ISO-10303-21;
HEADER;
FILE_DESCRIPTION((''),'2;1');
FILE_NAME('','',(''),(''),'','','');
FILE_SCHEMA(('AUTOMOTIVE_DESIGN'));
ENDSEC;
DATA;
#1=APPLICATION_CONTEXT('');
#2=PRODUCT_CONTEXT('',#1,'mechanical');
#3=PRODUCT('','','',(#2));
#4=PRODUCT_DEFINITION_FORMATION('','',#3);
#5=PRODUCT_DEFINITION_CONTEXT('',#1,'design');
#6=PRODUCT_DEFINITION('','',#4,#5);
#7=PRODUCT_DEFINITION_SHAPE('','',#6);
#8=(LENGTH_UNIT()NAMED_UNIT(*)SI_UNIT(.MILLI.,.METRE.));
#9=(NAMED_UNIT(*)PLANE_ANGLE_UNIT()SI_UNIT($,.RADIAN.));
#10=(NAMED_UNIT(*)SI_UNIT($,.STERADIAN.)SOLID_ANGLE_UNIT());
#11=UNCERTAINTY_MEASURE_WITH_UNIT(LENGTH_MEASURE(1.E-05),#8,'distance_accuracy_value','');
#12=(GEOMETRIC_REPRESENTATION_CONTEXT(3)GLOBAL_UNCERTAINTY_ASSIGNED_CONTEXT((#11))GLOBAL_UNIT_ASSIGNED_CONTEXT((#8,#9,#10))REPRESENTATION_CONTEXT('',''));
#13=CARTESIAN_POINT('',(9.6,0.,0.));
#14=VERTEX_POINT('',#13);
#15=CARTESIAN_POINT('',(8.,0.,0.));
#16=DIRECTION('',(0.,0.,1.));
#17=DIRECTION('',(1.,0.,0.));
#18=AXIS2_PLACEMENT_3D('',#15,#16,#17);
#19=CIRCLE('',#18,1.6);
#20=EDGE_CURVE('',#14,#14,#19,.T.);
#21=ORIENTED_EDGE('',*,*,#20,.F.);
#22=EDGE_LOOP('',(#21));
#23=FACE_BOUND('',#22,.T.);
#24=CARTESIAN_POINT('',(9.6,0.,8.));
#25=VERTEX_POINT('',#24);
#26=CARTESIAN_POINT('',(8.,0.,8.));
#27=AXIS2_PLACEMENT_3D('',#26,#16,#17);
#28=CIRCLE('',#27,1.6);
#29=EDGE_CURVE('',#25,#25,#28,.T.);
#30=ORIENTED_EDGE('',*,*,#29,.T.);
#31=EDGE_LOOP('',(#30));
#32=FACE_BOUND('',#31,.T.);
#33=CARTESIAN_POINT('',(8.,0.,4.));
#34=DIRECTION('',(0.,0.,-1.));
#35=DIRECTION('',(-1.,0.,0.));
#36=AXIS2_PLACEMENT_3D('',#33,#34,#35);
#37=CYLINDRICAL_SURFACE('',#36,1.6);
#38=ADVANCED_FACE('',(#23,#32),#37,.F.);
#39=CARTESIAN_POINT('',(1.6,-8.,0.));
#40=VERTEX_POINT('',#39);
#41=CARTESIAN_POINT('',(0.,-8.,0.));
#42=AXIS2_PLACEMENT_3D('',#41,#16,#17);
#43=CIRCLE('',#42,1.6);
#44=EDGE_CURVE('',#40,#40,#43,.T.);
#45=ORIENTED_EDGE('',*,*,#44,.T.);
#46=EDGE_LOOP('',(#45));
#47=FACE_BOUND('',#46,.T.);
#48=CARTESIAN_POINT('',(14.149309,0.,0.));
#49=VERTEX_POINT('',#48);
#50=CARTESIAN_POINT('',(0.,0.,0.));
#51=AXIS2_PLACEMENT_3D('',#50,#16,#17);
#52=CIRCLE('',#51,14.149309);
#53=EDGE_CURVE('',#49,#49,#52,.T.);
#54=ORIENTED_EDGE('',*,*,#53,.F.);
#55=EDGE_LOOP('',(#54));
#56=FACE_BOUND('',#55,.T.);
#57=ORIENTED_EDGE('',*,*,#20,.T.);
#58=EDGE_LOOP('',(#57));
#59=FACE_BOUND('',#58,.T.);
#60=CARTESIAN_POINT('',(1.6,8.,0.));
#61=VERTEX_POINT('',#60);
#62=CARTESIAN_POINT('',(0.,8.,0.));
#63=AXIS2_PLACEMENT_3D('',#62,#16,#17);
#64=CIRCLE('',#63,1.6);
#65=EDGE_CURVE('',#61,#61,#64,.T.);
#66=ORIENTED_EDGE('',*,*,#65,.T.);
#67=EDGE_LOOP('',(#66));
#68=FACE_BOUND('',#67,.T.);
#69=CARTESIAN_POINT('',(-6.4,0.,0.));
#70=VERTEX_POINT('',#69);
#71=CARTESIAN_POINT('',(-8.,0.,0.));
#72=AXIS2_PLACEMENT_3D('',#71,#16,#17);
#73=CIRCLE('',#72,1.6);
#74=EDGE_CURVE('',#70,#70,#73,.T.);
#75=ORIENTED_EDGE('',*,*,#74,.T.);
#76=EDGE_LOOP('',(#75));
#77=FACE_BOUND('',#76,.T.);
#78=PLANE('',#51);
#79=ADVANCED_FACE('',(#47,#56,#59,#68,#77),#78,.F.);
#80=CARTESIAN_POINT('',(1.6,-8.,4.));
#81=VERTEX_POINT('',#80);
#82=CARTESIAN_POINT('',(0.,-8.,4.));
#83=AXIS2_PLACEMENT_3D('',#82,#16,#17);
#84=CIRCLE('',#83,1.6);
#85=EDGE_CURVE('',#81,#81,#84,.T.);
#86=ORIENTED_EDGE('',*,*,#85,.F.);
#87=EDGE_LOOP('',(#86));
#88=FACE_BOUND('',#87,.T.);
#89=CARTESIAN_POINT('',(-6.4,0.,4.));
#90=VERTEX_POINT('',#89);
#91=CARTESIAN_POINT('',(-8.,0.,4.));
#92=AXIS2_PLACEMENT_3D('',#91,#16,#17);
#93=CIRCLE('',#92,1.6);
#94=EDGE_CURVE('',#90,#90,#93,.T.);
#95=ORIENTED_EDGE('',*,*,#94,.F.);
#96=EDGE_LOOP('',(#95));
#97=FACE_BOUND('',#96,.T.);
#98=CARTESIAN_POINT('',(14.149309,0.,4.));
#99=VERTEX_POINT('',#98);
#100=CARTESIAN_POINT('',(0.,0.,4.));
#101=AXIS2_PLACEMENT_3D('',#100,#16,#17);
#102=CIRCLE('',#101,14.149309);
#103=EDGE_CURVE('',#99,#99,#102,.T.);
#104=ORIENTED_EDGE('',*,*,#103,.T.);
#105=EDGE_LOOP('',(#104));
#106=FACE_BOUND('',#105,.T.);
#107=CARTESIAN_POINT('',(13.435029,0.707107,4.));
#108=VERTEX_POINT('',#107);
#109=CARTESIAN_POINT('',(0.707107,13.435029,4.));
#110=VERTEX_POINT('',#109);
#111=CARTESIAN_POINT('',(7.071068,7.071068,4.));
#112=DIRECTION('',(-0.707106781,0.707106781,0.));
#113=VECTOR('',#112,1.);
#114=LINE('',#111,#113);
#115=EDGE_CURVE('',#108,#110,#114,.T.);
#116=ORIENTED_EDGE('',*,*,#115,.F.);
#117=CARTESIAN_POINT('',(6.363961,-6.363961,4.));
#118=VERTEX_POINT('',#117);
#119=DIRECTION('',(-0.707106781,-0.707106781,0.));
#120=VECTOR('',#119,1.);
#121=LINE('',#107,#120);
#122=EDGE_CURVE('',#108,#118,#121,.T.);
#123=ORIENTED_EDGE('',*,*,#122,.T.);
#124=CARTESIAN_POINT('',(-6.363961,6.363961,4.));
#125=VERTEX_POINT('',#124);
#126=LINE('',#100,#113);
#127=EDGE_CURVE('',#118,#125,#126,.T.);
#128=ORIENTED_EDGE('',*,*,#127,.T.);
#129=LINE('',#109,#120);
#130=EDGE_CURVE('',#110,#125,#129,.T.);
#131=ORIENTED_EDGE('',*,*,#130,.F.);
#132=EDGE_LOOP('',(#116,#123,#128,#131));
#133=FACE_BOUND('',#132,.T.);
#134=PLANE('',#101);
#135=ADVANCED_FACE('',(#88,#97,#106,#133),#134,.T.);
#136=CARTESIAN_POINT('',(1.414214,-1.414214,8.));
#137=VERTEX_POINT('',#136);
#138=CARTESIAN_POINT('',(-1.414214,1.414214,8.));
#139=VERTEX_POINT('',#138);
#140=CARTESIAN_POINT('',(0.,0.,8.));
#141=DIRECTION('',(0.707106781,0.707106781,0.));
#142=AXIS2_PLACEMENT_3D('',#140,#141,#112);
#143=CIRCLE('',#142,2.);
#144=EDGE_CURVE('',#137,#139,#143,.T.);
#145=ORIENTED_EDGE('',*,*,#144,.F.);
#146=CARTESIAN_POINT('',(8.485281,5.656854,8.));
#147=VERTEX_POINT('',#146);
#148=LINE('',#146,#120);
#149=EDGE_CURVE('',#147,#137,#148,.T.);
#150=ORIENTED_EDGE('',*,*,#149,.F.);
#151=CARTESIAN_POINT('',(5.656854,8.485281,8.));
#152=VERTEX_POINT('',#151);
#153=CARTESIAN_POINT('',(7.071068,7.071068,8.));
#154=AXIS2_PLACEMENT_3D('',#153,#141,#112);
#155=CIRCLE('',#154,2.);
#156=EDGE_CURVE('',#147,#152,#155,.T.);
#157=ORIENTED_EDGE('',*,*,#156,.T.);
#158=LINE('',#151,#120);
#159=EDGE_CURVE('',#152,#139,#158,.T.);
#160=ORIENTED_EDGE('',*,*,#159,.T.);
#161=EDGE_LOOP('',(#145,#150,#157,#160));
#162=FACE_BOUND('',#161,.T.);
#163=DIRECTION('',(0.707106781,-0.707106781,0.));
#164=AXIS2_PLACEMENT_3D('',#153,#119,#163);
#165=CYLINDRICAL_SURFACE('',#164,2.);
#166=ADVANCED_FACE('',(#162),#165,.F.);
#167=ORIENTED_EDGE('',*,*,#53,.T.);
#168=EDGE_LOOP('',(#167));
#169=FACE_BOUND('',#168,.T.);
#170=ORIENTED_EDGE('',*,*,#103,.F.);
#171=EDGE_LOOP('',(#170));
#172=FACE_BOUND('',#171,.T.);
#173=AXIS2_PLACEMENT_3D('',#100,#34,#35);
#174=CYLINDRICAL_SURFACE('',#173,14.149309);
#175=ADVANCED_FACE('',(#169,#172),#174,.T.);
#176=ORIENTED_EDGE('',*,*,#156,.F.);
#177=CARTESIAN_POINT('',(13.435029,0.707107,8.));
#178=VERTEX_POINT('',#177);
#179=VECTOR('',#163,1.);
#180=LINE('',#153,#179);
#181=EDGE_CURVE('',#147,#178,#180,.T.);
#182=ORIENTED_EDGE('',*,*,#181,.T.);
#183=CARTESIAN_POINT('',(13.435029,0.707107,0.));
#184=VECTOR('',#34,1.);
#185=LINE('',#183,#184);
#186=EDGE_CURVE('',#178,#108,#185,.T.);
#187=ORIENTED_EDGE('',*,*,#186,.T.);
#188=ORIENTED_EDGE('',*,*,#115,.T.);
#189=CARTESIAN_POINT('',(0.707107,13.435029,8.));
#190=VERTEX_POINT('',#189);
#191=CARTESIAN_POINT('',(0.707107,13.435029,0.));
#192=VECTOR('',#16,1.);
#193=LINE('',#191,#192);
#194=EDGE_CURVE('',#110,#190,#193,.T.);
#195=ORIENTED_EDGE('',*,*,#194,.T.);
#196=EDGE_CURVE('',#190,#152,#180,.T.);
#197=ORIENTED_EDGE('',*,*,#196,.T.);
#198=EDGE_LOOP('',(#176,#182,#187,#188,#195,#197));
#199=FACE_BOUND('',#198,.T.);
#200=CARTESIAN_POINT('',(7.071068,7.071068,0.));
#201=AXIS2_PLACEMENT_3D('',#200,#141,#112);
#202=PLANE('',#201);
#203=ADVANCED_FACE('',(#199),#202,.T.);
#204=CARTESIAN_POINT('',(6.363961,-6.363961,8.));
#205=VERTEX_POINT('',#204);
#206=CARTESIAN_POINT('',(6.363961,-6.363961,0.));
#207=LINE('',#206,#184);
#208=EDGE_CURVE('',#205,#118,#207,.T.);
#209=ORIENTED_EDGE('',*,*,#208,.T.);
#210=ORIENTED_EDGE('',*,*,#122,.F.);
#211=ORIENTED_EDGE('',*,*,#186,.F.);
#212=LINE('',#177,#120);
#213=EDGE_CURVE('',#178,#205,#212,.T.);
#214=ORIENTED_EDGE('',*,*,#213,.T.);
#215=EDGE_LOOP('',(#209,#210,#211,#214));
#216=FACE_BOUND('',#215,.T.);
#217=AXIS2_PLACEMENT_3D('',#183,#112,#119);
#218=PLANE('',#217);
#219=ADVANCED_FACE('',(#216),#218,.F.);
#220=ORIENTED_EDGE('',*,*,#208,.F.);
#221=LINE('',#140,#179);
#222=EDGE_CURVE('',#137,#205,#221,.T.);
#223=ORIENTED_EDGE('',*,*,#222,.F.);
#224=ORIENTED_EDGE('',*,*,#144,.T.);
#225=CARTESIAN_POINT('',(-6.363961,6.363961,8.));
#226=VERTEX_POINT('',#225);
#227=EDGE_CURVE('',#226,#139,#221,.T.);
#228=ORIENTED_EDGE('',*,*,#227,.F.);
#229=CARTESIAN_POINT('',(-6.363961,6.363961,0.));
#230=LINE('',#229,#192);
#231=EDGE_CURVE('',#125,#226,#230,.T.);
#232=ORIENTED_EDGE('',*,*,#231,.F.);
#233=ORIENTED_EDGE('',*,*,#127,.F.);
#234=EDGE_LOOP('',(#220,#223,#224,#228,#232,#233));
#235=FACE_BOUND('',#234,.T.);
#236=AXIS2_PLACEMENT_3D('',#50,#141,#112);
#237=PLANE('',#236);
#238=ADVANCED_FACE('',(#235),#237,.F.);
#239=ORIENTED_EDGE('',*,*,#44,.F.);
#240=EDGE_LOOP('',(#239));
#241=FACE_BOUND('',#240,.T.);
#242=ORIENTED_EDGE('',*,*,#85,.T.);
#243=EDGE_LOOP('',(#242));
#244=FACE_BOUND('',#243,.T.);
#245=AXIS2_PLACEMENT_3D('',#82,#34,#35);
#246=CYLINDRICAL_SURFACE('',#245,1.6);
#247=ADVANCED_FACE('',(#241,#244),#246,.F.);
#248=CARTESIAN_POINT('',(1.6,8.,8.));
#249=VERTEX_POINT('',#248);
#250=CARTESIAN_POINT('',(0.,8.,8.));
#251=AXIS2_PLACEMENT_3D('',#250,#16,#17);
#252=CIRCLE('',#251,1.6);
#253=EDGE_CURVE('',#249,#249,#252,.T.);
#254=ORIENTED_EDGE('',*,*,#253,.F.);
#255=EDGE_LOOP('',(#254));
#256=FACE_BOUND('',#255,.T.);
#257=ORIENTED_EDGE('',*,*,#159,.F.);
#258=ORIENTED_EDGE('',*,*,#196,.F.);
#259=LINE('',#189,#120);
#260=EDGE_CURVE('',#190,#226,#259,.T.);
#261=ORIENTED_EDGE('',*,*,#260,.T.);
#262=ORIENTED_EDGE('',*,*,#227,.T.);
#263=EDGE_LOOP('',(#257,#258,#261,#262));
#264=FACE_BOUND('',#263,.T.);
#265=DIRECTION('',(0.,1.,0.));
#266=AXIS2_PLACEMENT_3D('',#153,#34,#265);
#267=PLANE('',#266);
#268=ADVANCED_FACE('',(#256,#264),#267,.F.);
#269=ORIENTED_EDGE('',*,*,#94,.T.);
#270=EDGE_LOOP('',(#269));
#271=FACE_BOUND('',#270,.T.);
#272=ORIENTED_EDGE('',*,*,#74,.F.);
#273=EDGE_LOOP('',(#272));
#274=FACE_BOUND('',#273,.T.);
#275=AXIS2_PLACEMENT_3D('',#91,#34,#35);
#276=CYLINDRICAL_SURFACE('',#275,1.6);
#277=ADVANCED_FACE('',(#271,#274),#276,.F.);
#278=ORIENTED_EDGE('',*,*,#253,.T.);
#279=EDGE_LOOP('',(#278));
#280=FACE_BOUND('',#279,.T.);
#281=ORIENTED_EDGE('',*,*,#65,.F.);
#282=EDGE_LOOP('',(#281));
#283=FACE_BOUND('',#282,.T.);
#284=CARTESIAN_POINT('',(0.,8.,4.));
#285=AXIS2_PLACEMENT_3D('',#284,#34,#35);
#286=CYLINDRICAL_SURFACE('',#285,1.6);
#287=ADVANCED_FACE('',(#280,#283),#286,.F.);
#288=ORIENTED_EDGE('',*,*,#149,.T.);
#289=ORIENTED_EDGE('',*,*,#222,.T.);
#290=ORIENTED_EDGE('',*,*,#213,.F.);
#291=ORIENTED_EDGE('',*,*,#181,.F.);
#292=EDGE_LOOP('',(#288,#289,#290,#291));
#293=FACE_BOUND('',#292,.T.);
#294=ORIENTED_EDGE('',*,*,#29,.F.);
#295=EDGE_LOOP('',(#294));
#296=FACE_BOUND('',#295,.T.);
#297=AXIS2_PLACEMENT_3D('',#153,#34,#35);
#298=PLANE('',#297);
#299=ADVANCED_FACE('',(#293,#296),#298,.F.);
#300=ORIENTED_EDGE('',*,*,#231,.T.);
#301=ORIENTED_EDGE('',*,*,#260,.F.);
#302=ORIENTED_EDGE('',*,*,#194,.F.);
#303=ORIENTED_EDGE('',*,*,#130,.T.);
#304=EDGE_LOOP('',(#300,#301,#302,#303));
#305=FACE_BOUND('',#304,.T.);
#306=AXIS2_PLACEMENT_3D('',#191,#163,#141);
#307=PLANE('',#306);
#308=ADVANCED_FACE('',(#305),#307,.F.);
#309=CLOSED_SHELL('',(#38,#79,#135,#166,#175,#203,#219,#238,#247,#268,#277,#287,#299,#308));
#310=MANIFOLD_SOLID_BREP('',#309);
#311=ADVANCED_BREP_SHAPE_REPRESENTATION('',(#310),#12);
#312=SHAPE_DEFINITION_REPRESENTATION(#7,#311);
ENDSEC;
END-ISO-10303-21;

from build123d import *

# Parameters (mm, degrees)
SKETCH_1_R          = 14.149308539
SKETCH_1_R_2        = 1.6
EXTRUDE_1_DEPTH     = 4
EXTRUDE_2_DEPTH     = 10
CUT_EXTRUDE_START   = -10
SKETCH_4_R          = 1.6
CUT_EXTRUDE_1_DEPTH = 10


with BuildPart() as part:
    # 草图1 → 凸台-拉伸1 (new body)
    with BuildSketch(Plane.XY):
        Circle(SKETCH_1_R)
        with Locations((0, -8)):
            Circle(SKETCH_1_R_2, mode=Mode.SUBTRACT)
        with Locations((8, 0)):
            Circle(SKETCH_1_R_2, mode=Mode.SUBTRACT)
        with Locations((0, 8)):
            Circle(SKETCH_1_R_2, mode=Mode.SUBTRACT)
        with Locations((-8, 0)):
            Circle(SKETCH_1_R_2, mode=Mode.SUBTRACT)
    extrude(amount=EXTRUDE_1_DEPTH)

    # 草图3 → 凸台-拉伸2 (add)
    with BuildSketch(Plane(origin=(0, 0, 0), x_dir=(0, 0, -1), z_dir=(0.7071067811865488, 0.7071067811865464, 0))):
        with BuildLine():
            Line((-8, 9), (-8, 2))
            ThreePointArc((-8, 2), (-6.585786438, 1.414213562), (-6, 0))
            ThreePointArc((-6, 0), (-6.585786438, -1.414213562), (-8, -2))
            Line((-8, -2), (-8, -9))
            Line((-8, -9), (-4, -9))
            Line((-4, -9), (-4, 9))
            Line((-4, 9), (-8, 9))
        make_face()
    extrude(amount=EXTRUDE_2_DEPTH)

    # 草图4 → 切除-拉伸1 (cut)
    with BuildSketch(Plane.XY.offset(8).offset(CUT_EXTRUDE_START)):
        with Locations((8, 0)):
            Circle(SKETCH_4_R)
        with Locations((0, 8)):
            Circle(SKETCH_4_R)
    extrude(amount=CUT_EXTRUDE_1_DEPTH, mode=Mode.SUBTRACT)


solid = part.part
